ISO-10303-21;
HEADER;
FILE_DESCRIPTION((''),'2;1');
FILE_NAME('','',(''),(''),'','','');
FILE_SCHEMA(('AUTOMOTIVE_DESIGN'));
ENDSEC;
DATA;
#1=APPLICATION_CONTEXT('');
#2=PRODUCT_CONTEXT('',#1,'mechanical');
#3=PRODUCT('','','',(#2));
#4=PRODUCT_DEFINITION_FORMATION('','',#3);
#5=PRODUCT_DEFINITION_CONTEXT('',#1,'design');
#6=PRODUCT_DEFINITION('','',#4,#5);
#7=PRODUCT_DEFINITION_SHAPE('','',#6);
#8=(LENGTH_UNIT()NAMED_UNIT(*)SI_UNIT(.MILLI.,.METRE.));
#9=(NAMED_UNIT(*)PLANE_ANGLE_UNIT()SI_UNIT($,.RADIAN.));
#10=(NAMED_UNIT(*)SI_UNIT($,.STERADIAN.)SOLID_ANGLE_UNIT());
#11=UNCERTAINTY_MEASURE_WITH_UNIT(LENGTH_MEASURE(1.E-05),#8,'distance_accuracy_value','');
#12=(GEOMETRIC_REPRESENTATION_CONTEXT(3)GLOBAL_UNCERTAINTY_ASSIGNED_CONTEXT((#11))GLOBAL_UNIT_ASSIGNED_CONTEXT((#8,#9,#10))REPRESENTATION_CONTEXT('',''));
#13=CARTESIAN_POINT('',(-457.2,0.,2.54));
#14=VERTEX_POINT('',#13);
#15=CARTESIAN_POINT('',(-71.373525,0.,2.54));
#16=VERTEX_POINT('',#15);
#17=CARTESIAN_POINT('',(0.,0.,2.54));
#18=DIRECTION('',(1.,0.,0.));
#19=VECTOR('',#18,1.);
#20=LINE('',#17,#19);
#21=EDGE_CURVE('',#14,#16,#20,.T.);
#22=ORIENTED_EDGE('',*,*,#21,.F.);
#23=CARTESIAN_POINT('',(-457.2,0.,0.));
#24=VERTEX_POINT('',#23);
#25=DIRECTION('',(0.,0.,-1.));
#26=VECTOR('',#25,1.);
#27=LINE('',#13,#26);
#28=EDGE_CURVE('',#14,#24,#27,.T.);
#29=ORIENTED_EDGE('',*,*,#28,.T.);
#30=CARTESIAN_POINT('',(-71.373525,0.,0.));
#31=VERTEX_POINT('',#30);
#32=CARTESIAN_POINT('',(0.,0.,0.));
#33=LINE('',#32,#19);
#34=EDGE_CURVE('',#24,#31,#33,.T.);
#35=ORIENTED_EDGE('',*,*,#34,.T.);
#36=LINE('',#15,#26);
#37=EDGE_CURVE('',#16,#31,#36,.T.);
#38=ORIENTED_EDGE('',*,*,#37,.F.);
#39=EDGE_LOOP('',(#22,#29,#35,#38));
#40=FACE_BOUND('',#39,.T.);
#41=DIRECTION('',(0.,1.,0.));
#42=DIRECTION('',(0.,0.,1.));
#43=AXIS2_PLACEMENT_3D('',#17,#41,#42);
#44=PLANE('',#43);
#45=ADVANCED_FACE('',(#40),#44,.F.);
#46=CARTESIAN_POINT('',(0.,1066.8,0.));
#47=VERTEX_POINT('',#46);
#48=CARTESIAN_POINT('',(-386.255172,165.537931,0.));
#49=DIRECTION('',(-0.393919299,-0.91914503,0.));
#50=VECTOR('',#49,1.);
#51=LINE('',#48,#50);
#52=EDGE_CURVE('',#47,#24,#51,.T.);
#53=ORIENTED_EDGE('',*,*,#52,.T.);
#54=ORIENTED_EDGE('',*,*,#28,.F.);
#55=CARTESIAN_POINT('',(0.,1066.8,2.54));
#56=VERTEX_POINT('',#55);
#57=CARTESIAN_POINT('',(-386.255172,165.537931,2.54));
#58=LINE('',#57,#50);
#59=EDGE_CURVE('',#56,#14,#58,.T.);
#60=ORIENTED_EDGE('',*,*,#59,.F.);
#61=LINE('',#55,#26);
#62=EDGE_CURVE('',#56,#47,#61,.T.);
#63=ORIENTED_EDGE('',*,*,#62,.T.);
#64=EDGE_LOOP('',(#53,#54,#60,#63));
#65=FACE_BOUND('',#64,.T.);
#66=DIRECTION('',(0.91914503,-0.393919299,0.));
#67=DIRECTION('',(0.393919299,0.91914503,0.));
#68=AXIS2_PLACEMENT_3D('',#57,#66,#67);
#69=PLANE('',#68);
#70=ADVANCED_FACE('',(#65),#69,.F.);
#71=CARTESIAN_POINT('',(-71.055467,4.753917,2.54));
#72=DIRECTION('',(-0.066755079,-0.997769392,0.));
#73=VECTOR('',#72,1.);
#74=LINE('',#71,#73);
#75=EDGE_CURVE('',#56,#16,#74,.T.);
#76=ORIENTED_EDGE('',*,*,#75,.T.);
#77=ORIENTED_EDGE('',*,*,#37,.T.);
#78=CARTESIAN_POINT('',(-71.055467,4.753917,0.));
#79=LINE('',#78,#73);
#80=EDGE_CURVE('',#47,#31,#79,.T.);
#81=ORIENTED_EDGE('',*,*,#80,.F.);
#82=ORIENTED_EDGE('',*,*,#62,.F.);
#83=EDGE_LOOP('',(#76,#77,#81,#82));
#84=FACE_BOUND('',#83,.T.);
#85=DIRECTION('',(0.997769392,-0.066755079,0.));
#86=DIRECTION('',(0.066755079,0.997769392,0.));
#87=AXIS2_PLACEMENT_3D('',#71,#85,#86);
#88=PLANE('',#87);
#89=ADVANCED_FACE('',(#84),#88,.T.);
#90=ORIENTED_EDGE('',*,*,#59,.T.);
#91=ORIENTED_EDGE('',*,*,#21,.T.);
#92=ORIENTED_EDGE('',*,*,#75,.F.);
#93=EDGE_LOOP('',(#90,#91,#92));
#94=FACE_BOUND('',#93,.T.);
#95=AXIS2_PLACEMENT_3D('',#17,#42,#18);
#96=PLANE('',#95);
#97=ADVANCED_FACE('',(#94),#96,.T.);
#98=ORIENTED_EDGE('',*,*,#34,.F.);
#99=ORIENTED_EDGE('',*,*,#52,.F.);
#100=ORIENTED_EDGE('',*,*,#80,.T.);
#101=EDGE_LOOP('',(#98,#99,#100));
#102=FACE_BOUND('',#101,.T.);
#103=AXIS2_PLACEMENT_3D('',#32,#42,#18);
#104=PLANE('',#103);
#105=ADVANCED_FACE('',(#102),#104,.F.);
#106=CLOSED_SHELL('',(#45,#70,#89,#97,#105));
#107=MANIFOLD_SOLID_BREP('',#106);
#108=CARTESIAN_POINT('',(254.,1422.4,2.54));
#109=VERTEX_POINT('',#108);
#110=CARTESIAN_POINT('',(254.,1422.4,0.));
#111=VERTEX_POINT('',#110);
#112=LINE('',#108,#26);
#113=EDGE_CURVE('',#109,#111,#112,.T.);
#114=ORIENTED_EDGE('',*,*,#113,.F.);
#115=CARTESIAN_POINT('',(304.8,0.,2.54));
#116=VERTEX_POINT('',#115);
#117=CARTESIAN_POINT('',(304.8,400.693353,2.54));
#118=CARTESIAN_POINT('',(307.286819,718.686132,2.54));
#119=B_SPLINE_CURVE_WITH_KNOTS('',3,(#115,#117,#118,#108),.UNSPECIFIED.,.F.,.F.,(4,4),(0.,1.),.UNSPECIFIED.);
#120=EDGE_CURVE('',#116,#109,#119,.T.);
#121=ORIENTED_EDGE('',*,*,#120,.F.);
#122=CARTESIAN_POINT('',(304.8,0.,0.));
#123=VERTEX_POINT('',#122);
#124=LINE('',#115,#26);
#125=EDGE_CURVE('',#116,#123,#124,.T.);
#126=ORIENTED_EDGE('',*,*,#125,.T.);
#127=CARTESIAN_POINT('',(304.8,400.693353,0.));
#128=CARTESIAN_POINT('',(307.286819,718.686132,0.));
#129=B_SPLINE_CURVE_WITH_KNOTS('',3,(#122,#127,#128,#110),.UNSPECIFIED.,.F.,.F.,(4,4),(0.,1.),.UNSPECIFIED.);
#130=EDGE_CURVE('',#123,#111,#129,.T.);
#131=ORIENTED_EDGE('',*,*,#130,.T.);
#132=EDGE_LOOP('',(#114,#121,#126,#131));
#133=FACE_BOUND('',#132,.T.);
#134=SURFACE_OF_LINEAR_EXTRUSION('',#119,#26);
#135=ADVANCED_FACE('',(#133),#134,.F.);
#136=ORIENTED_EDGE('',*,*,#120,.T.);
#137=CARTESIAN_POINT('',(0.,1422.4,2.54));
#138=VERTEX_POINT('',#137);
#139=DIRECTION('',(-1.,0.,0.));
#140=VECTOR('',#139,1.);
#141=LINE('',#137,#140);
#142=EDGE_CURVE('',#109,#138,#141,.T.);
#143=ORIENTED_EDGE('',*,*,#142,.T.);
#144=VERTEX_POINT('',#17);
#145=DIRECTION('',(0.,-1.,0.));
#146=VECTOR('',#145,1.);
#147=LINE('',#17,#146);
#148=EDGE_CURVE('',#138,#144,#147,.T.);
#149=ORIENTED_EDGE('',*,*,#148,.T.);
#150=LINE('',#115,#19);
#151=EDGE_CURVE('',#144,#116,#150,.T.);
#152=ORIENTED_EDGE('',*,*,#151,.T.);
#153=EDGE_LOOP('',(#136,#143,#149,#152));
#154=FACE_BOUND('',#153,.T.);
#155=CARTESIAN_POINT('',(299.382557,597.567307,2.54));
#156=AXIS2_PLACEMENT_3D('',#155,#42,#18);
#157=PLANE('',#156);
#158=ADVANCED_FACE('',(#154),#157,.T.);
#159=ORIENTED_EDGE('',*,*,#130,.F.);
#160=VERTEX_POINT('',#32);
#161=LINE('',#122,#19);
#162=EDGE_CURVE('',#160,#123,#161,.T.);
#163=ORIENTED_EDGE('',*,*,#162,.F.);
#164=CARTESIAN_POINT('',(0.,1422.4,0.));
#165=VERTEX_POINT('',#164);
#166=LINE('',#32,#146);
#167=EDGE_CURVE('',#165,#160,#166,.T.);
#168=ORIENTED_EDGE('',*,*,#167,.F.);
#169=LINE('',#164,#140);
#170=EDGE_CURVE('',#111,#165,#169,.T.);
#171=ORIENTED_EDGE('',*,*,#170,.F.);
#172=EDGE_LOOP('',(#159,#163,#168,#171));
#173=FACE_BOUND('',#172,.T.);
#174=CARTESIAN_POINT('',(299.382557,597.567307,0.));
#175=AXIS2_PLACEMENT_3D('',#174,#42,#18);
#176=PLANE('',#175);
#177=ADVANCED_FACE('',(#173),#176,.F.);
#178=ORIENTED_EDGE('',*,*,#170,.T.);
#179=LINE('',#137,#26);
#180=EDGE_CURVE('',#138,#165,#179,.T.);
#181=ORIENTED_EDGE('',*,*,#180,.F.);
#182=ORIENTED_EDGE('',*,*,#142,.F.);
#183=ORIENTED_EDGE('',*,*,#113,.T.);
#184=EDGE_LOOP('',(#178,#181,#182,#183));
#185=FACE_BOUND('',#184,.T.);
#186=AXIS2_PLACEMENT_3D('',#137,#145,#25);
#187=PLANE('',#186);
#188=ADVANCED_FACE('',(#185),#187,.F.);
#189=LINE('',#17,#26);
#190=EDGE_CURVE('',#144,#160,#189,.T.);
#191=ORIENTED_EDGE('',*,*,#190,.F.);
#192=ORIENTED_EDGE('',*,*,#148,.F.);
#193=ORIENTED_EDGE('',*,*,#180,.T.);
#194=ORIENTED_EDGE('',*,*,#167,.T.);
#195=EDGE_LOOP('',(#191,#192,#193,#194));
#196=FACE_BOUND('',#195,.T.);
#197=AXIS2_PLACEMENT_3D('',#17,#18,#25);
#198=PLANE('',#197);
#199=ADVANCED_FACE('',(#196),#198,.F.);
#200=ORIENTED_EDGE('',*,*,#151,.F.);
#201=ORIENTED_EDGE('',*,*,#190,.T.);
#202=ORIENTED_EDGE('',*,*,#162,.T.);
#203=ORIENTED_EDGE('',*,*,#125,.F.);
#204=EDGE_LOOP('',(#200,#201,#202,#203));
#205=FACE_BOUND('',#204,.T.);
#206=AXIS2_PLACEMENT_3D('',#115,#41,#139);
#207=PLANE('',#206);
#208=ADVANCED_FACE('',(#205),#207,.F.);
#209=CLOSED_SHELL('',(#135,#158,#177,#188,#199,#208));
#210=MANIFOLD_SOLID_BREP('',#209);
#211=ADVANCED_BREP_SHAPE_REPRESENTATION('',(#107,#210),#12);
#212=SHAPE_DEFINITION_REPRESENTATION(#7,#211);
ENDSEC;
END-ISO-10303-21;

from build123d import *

# Parameters (mm, degrees)
BOSS_EXTRUDE1_DEPTH = 2.54
BOSS_EXTRUDE3_DEPTH = 2.54


with BuildPart() as part:
    # Sketch1 → Boss-Extrude1 (new body)
    with BuildSketch(Plane.XY):
        with BuildLine():
            Line((0, 0), (0, 1422.4))
            Line((0, 1422.4), (254, 1422.4))
            add(Edge.make_bspline(
                [(254, 1422.4), (307.286819, 718.686132178), (304.8, 400.693352615), (304.8, 0)],
                knots=[0, 0, 0, 0, 1, 1, 1, 1], degree=3))
            Line((304.8, 0), (0, 0))
        make_face()
    extrude(amount=BOSS_EXTRUDE1_DEPTH)


with BuildPart() as body_2:
    # Sketch2 → Boss-Extrude3 (new body)
    with BuildSketch(Plane.XY):
        Polygon((-71.373524572, 0), (0, 1066.8), (-457.2, 0), align=None)
    extrude(amount=BOSS_EXTRUDE3_DEPTH)


solid = Compound([part.part, body_2.part])
